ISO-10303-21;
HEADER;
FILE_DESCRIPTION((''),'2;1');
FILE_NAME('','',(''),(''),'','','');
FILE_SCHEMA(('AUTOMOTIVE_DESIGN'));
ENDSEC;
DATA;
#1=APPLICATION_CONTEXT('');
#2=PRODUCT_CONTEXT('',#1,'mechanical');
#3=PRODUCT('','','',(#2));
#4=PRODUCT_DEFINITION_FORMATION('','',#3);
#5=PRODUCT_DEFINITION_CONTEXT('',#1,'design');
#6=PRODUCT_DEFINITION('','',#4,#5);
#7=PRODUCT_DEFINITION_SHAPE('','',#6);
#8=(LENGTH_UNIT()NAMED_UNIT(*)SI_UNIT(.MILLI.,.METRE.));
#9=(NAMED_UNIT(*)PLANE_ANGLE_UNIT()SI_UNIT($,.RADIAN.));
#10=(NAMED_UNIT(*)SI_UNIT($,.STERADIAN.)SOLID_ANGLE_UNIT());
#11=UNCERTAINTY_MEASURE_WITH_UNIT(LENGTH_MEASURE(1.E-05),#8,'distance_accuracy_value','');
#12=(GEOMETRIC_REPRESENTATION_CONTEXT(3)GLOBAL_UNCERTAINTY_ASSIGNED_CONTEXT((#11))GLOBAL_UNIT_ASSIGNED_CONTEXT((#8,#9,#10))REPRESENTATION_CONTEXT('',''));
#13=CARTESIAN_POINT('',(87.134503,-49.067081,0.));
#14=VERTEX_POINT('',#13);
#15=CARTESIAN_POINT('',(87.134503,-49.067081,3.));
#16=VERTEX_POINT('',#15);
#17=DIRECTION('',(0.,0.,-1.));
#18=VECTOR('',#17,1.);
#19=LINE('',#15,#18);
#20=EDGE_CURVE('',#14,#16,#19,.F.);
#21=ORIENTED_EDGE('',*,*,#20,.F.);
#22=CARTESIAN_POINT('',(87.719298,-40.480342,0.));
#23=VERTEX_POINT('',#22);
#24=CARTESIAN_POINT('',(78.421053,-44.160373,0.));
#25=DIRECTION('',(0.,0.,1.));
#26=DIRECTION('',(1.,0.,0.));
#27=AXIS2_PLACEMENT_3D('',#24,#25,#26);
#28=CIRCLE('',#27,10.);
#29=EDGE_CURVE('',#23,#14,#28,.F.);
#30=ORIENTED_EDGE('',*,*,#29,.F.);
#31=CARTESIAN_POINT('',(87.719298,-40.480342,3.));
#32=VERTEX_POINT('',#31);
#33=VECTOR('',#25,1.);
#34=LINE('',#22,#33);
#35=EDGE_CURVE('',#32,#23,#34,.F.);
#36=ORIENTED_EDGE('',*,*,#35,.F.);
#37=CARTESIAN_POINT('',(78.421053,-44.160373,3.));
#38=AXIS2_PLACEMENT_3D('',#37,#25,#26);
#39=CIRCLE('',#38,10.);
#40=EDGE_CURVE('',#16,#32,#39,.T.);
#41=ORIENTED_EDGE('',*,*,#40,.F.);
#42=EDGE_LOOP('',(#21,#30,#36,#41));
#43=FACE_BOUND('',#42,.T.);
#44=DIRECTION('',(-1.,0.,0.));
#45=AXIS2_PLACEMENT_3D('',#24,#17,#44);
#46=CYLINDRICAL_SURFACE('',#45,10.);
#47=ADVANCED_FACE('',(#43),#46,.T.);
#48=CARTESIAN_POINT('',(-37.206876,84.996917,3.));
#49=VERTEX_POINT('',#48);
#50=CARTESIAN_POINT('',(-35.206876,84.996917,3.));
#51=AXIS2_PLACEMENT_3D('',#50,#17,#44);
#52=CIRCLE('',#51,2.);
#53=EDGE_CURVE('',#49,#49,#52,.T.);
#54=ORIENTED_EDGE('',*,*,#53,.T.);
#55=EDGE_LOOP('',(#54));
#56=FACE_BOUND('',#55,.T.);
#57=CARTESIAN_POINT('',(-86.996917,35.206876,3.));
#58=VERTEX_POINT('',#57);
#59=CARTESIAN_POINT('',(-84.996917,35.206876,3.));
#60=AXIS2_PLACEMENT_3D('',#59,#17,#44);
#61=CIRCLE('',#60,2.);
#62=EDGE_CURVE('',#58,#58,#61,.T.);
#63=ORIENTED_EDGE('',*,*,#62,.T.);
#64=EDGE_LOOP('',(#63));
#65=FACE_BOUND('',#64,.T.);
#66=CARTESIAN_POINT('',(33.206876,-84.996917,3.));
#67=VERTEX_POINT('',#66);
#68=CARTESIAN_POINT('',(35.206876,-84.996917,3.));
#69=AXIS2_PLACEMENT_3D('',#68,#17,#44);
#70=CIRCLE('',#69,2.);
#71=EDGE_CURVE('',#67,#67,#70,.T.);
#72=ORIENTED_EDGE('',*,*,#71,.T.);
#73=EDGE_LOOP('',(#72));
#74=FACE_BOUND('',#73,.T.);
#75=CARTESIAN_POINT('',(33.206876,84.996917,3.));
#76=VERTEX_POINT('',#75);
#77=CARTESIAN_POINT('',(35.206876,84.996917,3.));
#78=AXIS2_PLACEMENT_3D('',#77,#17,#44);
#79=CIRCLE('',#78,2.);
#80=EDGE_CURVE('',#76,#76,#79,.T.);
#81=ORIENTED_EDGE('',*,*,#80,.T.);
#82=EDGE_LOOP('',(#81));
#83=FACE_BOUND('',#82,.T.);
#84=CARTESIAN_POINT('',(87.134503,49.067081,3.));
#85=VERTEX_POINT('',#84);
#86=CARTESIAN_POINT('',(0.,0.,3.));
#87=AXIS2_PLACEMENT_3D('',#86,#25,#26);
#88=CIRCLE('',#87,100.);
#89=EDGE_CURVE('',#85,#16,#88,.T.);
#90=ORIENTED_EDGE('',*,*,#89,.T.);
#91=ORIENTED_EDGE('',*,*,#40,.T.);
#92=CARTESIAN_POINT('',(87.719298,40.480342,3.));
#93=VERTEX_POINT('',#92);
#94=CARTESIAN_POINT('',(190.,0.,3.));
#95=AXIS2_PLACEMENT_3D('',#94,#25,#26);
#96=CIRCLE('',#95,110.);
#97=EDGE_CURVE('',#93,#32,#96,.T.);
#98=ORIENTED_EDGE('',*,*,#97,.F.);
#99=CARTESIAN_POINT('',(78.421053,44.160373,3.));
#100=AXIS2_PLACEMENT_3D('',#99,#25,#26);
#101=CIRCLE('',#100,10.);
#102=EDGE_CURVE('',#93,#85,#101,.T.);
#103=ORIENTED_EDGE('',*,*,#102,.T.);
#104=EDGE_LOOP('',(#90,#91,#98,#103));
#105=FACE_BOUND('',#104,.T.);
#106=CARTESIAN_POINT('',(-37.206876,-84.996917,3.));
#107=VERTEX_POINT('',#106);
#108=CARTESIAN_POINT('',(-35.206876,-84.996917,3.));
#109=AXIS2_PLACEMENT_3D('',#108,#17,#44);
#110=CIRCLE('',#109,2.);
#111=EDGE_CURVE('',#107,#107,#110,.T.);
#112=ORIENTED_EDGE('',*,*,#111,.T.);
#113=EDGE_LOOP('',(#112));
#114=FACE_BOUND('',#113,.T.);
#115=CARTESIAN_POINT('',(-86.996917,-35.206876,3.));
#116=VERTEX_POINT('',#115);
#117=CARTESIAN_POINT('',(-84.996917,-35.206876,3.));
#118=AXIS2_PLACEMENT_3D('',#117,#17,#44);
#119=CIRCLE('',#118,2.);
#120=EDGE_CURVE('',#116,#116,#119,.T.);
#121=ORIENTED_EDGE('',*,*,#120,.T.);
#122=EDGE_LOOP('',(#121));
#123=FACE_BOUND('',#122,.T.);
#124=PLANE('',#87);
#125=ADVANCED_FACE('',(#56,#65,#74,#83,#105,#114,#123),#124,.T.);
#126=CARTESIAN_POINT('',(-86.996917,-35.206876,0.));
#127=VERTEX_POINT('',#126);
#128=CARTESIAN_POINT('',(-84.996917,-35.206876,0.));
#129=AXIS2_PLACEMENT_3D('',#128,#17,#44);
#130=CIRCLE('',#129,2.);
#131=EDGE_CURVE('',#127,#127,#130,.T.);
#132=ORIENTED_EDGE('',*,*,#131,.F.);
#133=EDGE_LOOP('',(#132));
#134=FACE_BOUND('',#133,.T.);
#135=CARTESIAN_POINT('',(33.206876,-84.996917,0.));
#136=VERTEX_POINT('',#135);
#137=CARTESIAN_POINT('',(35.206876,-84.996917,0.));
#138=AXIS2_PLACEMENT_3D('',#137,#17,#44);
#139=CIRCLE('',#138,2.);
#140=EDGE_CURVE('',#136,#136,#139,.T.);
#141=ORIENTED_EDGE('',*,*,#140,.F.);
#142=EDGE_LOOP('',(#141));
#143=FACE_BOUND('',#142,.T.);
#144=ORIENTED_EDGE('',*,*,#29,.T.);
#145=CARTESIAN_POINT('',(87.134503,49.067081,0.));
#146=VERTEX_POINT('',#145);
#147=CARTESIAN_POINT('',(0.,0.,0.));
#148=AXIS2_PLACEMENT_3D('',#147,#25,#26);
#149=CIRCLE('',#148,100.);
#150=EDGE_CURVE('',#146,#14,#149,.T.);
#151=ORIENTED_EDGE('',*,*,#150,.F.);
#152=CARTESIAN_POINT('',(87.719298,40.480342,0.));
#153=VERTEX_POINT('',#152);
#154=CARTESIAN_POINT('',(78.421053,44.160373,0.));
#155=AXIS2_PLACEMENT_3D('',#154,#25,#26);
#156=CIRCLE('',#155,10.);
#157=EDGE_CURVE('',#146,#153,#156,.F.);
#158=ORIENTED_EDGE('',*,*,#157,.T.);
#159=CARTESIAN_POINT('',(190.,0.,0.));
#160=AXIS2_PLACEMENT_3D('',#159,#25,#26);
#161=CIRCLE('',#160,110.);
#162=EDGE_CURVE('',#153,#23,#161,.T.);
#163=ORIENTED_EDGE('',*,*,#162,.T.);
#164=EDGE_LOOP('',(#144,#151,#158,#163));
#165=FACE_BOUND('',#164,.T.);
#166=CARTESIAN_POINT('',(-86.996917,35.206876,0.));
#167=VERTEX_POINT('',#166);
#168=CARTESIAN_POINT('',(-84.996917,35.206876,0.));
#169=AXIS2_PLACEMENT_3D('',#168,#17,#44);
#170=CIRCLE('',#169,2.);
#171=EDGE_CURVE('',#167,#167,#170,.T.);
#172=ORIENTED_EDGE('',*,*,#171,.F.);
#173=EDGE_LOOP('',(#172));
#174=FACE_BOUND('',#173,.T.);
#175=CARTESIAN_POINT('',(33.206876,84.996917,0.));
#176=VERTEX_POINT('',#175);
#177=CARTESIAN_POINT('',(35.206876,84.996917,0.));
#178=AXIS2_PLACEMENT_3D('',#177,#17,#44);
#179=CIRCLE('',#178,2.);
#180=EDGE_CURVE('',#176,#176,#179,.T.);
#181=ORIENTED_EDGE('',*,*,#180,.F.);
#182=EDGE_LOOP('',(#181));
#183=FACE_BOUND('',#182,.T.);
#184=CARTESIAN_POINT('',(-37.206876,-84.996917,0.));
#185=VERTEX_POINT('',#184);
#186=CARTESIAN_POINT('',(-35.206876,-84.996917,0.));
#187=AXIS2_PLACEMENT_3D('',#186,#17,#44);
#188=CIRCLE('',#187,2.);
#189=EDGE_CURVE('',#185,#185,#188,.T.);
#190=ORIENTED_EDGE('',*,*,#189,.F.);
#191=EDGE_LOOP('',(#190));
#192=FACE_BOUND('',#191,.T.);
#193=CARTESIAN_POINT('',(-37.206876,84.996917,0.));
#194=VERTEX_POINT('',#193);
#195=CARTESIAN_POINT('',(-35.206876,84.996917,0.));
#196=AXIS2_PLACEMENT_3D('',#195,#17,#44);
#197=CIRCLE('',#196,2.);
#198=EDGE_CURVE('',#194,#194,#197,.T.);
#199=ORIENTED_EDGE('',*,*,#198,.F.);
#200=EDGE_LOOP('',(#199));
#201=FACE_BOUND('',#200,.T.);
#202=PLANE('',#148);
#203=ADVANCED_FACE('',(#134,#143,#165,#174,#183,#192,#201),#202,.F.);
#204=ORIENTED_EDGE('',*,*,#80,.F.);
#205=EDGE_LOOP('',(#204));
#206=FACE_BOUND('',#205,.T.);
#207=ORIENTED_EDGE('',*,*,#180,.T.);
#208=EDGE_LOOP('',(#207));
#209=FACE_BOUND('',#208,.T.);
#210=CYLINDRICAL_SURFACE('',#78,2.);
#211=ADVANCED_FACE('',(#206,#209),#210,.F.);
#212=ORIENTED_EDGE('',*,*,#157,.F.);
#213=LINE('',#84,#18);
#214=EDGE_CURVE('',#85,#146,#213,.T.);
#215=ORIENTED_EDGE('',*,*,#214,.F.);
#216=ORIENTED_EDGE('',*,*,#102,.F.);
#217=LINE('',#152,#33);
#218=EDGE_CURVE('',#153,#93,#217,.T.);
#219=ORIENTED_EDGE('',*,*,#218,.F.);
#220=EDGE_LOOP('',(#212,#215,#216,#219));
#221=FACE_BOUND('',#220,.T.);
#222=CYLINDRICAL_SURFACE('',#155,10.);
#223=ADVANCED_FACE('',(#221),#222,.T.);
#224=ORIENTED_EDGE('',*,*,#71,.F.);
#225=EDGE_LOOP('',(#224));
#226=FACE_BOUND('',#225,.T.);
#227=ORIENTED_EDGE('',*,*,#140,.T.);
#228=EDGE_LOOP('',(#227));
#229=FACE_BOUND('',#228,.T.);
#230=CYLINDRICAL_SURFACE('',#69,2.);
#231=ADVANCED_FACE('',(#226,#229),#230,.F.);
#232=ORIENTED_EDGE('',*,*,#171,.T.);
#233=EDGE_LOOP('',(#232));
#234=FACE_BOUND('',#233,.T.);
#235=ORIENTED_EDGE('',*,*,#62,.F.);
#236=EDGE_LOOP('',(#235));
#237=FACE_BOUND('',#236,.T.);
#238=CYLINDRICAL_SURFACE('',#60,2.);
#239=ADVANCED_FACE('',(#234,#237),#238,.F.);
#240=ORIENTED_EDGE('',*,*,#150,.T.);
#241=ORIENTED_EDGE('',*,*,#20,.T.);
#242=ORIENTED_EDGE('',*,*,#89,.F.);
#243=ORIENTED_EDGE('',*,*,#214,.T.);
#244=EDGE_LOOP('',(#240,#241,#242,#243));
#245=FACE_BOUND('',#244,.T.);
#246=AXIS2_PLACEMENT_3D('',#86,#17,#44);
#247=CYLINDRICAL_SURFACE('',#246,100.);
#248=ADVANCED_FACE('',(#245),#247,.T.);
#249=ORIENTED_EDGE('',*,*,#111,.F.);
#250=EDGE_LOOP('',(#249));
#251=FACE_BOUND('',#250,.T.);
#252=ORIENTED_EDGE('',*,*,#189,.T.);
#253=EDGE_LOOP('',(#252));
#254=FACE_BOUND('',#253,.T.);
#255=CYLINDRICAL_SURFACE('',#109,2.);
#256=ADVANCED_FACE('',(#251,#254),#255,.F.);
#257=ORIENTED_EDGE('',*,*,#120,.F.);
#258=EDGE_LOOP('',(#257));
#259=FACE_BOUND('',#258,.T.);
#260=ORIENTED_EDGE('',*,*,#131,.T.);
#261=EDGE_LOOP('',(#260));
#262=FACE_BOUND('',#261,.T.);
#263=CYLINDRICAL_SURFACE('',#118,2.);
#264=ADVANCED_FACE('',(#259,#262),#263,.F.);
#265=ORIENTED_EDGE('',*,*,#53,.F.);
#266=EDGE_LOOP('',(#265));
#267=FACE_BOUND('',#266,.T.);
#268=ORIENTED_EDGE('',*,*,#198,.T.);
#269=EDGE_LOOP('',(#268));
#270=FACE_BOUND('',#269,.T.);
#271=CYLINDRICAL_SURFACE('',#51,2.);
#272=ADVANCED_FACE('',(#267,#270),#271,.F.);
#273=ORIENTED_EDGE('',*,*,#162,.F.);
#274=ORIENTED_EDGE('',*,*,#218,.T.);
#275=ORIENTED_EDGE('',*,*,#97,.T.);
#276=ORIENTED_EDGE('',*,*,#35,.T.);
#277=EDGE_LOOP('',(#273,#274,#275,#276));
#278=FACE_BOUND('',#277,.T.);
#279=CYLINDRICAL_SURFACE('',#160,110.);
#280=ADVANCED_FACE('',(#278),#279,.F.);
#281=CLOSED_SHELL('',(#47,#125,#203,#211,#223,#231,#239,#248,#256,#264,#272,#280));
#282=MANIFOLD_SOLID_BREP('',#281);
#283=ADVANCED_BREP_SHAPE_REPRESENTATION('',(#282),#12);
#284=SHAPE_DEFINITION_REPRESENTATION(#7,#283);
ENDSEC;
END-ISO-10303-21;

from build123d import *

# Parameters (mm, degrees)
CROQUIS1_R              = 100
SALIENTE_EXTRUIR1_DEPTH = 3
CROQUIS3_R              = 110
CORTAR_EXTRUIR1_DEPTH   = 3
REDONDEO1_R             = 10
CROQUIS4_R              = 2
CORTAR_EXTRUIR2_DEPTH   = 142.453172607


with BuildPart() as part:
    # Croquis1 → Saliente-Extruir1 (new body)
    with BuildSketch(Plane.XY):
        Circle(CROQUIS1_R)
    extrude(amount=SALIENTE_EXTRUIR1_DEPTH)

    # Croquis3 → Cortar-Extruir1 (cut)
    with BuildSketch(Plane.XY.offset(3)):
        with Locations((190, 0)):
            Circle(CROQUIS3_R)
    extrude(amount=-CORTAR_EXTRUIR1_DEPTH, mode=Mode.SUBTRACT)

    # Redondeo1
    redondeo1_edges = [part.edges().sort_by_distance(p)[0] for p in [
        (89.473684211, -44.659375654, 1.5),
        (89.473684211, 44.659375654, 1.5),
    ]]
    fillet(redondeo1_edges, radius=REDONDEO1_R)

    # Croquis4 → Cortar-Extruir2 (cut, through all)
    with BuildSketch(Plane(origin=(0, 0, 0), x_dir=(-1, 0, 0), z_dir=(0, 0, -1))):
        with Locations((-35.206875778, 84.996916991)):
            Circle(CROQUIS4_R)
        with Locations((35.206875778, 84.996916991)):
            Circle(CROQUIS4_R)
        with Locations((84.996916991, 35.206875778)):
            Circle(CROQUIS4_R)
        with Locations((84.996916991, -35.206875778)):
            Circle(CROQUIS4_R)
        with Locations((35.206875778, -84.996916991)):
            Circle(CROQUIS4_R)
        with Locations((-35.206875778, -84.996916991)):
            Circle(CROQUIS4_R)
    extrude(amount=-CORTAR_EXTRUIR2_DEPTH, mode=Mode.SUBTRACT)


solid = part.part
